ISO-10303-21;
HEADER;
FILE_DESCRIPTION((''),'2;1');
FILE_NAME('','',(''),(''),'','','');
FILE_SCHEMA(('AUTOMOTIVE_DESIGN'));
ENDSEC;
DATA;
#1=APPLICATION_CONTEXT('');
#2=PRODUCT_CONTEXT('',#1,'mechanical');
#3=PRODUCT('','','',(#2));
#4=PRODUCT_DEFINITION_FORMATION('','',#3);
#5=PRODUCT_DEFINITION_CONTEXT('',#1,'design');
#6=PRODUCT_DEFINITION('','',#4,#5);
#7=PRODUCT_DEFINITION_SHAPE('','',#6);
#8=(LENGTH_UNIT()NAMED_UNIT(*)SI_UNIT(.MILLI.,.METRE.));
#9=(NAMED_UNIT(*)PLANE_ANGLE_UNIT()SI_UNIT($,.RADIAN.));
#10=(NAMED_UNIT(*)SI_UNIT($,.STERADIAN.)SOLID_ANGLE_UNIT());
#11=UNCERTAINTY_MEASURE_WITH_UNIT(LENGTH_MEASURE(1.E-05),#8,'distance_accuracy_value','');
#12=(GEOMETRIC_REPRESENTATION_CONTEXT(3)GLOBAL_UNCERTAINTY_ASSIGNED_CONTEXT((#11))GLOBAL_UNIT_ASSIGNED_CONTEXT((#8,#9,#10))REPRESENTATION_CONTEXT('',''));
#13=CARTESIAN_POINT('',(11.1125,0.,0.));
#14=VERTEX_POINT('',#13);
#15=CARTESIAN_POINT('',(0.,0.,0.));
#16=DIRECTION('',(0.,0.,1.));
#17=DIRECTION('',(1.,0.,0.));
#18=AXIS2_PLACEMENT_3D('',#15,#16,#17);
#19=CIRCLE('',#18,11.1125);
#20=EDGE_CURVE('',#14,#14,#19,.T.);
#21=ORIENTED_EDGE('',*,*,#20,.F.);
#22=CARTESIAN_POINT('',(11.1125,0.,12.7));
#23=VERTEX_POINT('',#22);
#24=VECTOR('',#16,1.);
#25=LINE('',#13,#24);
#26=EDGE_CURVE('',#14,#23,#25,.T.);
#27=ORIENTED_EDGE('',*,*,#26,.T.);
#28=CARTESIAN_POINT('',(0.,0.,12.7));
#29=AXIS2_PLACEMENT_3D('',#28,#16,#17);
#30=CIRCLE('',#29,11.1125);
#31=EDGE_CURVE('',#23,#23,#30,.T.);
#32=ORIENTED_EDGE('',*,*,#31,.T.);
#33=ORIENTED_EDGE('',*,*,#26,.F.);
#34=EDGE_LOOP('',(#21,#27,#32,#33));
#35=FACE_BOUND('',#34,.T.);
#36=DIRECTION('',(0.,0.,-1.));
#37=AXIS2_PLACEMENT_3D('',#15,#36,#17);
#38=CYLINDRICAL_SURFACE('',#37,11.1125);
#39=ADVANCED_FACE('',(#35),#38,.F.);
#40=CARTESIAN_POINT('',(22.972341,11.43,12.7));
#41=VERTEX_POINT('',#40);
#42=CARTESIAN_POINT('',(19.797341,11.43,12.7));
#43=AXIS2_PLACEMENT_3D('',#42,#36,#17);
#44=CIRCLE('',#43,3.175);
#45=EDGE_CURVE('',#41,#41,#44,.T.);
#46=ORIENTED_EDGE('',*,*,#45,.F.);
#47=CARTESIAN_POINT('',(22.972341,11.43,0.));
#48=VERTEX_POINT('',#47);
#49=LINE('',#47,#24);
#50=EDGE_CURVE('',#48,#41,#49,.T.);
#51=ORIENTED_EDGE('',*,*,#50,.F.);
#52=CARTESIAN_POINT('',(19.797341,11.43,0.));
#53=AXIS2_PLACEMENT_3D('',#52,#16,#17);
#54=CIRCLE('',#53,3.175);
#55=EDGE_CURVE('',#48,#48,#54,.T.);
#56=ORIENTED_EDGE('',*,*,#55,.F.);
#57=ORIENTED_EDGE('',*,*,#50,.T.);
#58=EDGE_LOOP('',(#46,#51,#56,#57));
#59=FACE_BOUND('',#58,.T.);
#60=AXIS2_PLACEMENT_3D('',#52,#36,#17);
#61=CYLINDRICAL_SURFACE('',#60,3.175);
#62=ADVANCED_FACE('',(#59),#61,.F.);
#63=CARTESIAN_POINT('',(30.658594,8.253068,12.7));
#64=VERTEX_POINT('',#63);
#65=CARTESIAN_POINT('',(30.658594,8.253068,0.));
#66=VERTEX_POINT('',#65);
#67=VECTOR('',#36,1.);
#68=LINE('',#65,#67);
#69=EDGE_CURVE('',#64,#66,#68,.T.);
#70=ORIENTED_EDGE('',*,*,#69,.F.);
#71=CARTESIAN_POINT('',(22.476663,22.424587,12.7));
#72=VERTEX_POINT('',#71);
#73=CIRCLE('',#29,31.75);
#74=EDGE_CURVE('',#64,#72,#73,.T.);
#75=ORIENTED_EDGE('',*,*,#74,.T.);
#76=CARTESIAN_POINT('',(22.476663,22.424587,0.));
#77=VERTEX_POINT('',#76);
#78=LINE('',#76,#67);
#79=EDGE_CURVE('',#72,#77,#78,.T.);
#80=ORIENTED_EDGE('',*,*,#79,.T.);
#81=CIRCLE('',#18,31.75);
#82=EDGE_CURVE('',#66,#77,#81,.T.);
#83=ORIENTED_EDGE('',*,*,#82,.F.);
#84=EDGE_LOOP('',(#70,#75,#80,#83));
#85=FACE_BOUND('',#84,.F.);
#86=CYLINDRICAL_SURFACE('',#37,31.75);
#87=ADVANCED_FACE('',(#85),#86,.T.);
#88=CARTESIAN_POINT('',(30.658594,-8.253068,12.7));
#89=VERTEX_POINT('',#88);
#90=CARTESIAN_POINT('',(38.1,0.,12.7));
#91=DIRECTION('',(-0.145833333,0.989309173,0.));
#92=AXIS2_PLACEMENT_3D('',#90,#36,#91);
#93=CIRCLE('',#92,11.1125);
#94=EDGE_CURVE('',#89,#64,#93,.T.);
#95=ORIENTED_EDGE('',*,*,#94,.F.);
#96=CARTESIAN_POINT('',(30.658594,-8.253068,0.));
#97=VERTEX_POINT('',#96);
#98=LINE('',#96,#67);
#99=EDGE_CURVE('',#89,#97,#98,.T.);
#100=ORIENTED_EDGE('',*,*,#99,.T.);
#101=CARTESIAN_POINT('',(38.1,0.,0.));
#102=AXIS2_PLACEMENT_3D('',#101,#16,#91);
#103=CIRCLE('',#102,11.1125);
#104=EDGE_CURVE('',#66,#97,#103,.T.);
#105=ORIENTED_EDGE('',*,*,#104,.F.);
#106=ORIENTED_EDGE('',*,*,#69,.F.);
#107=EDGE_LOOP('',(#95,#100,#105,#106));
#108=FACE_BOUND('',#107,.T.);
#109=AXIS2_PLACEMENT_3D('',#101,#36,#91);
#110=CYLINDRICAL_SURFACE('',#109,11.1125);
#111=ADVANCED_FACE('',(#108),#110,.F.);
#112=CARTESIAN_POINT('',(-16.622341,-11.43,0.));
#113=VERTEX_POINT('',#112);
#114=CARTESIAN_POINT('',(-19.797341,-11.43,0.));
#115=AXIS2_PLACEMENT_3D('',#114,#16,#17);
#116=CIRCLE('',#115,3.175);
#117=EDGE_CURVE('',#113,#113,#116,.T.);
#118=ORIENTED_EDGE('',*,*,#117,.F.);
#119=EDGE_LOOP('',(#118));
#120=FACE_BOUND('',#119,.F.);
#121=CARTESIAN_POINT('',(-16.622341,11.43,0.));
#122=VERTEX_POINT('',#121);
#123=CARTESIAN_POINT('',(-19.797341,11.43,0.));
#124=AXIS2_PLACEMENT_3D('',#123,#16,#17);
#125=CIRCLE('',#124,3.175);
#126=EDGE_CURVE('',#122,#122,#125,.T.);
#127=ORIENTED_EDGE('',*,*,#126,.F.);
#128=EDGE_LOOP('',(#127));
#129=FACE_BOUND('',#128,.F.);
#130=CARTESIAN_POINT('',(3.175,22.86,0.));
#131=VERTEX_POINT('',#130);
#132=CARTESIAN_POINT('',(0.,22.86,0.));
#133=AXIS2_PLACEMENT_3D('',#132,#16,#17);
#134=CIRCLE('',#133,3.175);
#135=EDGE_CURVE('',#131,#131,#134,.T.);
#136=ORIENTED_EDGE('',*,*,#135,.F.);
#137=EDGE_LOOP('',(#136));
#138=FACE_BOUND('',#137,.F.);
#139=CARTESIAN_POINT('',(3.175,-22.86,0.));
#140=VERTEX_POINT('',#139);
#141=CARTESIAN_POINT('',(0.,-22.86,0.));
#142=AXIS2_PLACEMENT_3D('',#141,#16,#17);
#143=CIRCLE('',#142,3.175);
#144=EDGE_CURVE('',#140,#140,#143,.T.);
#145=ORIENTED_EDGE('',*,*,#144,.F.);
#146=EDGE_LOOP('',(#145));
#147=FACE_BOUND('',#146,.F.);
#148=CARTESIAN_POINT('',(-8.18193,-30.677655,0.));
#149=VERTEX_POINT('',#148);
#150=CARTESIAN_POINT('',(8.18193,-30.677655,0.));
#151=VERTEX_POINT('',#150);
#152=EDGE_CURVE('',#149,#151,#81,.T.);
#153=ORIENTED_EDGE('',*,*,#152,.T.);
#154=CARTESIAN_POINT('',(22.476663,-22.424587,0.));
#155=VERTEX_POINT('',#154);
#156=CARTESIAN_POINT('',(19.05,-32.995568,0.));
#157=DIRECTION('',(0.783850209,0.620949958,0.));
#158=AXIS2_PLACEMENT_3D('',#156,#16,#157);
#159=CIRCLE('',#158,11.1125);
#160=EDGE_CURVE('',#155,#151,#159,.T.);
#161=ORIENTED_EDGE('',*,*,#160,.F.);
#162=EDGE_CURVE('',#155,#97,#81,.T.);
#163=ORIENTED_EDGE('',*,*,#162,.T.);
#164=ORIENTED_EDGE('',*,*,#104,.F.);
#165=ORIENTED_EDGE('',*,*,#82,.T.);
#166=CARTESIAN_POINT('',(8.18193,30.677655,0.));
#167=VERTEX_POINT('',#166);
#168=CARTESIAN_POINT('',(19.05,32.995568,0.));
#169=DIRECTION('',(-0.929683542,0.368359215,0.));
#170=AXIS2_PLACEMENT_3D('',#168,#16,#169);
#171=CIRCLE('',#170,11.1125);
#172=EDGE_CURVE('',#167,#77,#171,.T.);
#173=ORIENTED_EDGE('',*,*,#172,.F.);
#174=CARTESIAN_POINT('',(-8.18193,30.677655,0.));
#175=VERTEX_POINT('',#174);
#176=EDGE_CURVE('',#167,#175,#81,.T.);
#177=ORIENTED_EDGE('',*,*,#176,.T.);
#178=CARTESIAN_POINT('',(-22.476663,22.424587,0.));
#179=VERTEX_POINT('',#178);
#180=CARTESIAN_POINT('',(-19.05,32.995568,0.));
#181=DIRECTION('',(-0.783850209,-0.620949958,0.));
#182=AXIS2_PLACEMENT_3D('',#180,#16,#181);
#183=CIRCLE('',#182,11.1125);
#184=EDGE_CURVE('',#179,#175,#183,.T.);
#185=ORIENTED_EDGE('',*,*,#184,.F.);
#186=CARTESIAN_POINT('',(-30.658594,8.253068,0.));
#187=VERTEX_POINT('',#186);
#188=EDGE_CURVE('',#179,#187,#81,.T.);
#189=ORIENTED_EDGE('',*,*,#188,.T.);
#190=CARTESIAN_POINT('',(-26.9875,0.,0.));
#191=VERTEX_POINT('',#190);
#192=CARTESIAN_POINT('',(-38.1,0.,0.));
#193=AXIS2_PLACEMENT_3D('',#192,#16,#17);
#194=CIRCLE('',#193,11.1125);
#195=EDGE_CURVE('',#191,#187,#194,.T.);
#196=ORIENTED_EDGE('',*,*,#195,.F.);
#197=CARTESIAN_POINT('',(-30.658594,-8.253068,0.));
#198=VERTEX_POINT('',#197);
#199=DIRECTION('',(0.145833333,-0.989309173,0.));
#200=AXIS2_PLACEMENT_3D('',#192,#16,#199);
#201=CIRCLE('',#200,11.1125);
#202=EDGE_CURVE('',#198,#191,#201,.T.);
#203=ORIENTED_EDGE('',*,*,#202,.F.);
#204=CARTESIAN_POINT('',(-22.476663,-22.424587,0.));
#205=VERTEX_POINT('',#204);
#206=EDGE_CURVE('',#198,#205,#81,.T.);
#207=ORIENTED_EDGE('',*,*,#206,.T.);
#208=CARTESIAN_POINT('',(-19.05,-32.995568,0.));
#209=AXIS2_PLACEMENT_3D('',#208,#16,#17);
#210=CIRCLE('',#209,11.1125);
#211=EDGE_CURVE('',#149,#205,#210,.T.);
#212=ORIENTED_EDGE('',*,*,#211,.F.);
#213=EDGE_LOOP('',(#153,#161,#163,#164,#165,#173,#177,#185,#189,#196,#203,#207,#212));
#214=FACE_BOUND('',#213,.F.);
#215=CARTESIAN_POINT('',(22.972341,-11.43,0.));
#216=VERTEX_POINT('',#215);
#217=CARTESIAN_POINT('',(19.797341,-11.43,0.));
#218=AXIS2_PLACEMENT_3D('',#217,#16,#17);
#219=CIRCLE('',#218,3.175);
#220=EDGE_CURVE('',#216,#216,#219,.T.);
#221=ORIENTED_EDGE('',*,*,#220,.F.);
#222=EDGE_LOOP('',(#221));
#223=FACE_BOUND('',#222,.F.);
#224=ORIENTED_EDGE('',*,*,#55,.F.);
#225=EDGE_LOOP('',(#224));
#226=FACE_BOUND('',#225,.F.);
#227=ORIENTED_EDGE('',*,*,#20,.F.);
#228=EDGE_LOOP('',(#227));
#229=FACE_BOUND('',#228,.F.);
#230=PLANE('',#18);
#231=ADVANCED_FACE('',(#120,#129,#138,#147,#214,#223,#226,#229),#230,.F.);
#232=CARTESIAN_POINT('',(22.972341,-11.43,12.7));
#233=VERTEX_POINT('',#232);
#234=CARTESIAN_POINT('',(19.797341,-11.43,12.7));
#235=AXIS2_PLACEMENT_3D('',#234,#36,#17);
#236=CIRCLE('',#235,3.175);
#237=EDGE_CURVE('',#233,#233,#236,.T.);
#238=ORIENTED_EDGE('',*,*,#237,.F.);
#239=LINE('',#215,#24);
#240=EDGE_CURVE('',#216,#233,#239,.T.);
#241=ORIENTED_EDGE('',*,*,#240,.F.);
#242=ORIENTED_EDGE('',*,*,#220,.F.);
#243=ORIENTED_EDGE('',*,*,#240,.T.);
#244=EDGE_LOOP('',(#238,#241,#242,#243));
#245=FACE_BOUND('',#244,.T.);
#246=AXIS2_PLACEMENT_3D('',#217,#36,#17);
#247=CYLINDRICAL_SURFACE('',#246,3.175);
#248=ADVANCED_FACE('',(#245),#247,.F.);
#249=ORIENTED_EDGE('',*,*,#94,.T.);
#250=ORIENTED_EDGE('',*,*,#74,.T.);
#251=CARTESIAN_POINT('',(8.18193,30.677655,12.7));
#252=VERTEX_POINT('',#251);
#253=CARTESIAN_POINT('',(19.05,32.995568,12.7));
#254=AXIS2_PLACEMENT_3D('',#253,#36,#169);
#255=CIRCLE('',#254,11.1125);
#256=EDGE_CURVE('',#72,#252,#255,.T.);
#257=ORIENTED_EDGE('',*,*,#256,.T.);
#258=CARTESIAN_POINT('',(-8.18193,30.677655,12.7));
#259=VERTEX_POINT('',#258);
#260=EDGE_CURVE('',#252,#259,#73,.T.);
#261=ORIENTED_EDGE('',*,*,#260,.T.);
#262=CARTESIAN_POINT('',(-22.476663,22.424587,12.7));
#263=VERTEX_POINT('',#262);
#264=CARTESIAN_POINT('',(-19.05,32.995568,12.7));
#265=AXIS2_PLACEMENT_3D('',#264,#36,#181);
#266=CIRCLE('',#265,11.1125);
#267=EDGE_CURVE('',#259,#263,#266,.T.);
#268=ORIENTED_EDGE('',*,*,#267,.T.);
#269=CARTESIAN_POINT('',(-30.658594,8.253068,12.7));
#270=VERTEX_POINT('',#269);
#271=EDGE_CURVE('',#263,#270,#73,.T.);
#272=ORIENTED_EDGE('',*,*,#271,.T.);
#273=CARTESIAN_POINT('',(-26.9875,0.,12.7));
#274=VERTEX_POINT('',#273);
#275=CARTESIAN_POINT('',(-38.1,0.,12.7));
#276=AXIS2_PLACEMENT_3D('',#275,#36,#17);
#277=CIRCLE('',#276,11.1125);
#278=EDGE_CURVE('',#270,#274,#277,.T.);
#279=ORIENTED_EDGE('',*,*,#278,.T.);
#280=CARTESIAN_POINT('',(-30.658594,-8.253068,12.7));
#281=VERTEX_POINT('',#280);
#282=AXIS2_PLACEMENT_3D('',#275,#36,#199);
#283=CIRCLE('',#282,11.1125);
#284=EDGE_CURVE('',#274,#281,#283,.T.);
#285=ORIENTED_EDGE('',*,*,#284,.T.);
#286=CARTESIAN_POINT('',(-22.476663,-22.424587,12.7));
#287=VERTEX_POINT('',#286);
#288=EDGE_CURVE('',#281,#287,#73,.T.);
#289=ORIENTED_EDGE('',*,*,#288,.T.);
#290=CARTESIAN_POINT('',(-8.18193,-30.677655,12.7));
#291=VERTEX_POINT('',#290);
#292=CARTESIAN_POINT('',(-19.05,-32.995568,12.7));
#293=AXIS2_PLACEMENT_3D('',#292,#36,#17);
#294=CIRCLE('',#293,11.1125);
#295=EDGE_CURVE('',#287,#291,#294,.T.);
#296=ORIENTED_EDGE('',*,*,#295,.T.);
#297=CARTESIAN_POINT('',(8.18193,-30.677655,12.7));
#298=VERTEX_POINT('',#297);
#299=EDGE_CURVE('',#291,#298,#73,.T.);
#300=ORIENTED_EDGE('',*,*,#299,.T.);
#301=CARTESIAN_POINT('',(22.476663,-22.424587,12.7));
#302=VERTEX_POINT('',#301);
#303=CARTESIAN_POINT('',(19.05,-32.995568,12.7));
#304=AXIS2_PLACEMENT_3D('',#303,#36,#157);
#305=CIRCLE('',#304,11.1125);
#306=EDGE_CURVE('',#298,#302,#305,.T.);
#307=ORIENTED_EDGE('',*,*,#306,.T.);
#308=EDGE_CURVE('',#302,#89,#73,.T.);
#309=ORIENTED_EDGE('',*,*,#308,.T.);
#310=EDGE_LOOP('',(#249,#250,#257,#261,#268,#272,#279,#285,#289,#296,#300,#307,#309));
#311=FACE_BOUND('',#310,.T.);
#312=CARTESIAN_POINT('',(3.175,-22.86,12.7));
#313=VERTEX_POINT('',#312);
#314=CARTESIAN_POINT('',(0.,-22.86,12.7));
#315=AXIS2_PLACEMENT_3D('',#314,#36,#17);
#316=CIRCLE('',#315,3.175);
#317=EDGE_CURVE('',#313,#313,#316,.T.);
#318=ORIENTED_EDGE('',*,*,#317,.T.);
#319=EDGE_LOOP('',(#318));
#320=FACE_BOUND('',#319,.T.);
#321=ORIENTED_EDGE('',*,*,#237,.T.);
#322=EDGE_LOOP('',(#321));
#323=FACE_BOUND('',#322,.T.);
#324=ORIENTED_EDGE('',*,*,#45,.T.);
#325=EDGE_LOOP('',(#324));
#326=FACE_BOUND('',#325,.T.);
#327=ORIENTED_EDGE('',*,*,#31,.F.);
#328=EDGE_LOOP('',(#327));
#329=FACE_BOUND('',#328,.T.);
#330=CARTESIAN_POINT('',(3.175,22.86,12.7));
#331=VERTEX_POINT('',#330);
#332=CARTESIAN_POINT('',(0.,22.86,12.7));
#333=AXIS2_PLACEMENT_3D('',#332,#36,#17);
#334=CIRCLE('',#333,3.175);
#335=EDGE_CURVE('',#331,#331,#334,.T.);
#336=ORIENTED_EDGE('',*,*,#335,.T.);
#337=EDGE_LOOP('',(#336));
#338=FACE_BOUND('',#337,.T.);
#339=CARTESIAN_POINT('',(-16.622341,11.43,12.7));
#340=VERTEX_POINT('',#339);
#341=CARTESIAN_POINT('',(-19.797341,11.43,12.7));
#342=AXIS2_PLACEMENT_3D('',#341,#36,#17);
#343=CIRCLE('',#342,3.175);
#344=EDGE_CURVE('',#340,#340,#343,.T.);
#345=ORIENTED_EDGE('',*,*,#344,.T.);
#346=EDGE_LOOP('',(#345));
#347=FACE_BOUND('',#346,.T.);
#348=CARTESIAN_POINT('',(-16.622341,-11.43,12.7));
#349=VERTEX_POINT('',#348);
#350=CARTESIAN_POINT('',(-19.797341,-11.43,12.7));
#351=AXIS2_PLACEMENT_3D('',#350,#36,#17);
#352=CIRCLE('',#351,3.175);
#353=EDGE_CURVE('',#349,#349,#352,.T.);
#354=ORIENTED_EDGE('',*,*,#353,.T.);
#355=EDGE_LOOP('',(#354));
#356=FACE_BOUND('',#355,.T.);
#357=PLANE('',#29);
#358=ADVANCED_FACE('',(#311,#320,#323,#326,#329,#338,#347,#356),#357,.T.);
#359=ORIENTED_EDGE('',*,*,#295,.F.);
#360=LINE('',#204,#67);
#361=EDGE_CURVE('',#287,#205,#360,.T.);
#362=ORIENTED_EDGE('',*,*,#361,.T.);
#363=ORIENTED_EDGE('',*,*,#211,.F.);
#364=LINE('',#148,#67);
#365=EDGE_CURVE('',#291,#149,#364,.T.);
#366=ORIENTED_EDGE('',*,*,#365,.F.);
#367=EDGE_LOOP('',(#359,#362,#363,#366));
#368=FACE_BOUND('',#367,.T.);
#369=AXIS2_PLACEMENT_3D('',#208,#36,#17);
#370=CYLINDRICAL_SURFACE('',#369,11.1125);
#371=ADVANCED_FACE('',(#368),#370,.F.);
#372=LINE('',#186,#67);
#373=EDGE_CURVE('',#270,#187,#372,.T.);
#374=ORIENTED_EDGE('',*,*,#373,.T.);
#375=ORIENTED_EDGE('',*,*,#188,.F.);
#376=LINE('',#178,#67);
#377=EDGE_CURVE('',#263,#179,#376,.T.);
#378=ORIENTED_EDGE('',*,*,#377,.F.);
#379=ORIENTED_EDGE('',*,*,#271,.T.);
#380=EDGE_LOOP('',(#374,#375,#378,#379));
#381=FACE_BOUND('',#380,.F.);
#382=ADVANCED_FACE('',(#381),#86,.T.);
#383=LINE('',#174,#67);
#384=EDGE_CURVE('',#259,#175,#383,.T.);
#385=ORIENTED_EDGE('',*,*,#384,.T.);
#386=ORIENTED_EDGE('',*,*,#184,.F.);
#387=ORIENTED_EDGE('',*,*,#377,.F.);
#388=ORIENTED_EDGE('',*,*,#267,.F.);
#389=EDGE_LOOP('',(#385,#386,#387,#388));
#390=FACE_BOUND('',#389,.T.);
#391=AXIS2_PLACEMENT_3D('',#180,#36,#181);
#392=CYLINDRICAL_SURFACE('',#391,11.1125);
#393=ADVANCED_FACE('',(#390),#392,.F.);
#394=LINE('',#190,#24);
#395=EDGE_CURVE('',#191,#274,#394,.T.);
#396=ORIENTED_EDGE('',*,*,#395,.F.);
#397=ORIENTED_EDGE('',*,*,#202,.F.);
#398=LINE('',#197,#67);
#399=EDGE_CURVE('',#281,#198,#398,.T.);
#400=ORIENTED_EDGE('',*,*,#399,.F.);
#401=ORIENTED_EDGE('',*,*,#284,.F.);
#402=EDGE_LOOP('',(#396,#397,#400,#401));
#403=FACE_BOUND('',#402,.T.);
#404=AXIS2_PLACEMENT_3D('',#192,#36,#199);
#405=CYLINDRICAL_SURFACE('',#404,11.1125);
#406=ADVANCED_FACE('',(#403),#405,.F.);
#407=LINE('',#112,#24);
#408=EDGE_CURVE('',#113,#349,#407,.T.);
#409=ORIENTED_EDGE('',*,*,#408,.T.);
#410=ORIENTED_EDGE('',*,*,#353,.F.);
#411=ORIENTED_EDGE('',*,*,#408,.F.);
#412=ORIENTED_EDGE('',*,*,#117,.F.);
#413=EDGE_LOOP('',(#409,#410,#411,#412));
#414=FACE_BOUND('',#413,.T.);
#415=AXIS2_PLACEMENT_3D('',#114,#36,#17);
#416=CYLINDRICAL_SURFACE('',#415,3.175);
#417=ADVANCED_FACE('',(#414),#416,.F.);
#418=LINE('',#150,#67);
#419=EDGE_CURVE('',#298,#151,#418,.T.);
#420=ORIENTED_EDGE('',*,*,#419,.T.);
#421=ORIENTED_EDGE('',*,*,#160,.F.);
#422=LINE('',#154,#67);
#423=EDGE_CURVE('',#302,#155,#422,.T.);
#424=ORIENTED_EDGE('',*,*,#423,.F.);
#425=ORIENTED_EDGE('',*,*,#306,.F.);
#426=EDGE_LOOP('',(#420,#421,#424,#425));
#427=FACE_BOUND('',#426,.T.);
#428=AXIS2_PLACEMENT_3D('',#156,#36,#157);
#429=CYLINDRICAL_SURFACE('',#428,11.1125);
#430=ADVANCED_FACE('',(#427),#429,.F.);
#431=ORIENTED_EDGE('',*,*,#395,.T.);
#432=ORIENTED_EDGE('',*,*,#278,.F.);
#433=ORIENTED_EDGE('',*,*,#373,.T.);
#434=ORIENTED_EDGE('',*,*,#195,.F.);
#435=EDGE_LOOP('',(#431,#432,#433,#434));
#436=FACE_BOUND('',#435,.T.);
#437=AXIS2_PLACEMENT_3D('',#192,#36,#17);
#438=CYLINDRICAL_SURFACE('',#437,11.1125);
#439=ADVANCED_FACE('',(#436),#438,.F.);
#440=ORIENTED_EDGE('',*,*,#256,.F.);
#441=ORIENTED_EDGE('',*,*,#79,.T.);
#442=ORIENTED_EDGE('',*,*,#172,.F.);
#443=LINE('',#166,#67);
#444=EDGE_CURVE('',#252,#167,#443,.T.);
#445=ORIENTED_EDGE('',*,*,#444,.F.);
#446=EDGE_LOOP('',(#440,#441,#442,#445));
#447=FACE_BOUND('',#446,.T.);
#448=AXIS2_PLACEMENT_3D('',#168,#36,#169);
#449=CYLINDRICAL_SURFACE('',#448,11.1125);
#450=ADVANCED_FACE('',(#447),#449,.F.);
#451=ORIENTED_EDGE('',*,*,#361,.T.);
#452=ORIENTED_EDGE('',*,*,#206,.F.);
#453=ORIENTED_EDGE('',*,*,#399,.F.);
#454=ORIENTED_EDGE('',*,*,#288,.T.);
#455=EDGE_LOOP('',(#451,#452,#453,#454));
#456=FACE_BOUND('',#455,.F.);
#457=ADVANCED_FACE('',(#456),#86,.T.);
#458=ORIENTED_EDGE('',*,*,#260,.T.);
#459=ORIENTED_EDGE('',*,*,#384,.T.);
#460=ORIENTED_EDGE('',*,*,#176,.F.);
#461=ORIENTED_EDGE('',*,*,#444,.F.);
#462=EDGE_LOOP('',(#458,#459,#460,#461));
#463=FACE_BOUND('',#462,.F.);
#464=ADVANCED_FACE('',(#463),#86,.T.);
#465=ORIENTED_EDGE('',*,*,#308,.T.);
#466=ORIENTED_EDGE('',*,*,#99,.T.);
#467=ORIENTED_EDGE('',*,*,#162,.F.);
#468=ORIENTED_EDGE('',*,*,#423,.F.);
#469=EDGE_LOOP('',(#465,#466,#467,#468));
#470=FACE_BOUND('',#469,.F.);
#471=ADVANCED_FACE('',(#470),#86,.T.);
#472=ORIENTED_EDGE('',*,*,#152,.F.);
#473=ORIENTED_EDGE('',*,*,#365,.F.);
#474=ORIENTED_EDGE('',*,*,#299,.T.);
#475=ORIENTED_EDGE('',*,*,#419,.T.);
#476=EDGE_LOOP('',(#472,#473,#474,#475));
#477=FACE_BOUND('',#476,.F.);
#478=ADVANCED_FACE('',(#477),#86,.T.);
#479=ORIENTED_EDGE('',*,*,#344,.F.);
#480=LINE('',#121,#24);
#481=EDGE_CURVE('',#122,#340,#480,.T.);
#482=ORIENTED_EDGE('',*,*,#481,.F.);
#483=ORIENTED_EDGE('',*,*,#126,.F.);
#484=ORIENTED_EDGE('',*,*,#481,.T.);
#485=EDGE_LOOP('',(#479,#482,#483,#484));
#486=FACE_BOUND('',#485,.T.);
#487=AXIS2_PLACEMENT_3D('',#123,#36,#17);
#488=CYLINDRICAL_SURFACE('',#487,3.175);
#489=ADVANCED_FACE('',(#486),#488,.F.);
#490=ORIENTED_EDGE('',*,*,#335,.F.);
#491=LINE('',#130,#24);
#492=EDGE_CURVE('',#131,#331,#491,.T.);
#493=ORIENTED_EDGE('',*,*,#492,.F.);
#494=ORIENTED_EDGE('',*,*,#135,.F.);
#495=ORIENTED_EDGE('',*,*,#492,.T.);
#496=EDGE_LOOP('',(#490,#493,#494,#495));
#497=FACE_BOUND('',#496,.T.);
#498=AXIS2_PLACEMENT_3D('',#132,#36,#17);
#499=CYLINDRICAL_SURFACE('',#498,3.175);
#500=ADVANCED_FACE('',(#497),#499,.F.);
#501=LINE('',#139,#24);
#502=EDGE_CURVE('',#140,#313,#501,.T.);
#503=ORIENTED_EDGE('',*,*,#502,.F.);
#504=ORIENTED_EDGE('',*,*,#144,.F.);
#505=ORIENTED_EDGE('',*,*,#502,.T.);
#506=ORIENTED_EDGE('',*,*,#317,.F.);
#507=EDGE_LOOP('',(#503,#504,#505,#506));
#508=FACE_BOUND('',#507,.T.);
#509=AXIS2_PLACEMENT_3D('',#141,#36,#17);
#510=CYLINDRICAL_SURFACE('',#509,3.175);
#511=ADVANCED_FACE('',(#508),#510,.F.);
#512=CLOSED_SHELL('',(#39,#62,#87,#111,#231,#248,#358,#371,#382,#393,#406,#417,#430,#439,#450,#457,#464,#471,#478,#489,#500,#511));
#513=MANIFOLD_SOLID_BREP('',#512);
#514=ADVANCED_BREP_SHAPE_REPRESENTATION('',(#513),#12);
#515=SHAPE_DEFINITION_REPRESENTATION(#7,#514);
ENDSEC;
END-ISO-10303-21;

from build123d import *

# Parameters (mm, degrees)
F0_R     = 31.75
F0_R_2   = 11.1125
F1_DEPTH = 12.7
F3_DEPTH = 25.4
F4_R     = 3.175
F5_DEPTH = 25.4


with BuildPart() as f1:
    # F0 (on Top) → F1 (new body)
    with BuildSketch(Plane.XY):
        Circle(F0_R)
        Circle(F0_R_2, mode=Mode.SUBTRACT)
    extrude(amount=F1_DEPTH)

    # F2 (on Top) → F3 (cut)
    with BuildSketch(Plane.XY):
        with BuildLine():
            ThreePointArc((8.7188916363, -37.0889596596), (19.05, -32.9955678842), (27.760535447, -26.0952614797))
            ThreePointArc((27.760535447, -26.0952614797), (13.49375, -23.3718605846), (8.7188916363, -37.0889596596))
        make_face()
        with BuildLine():
            ThreePointArc((-27.760535447, -26.0952614797), (-19.05, -32.9955678842), (-8.7188916363, -37.0889596596))
            ThreePointArc((-8.7188916363, -37.0889596596), (-8.1345957944, -35.0792202734), (-7.9375, -32.9955678842))
            ThreePointArc((-7.9375, -32.9955678842), (-15.396793799, -22.500724355), (-27.760535447, -26.0952614797))
        make_face()
        with BuildLine():
            ThreePointArc((-26.9875, 0), (-29.68880886, 7.2621980045), (-36.4794270833, 10.9936981799))
            ThreePointArc((-36.4794270833, 10.9936981799), (-38.1, 0), (-36.4794270833, -10.9936981799))
            ThreePointArc((-36.4794270833, -10.9936981799), (-29.68880886, -7.2621980045), (-26.9875, 0))
        make_face()
        with BuildLine():
            ThreePointArc((-7.9375, 32.9955678842), (-8.1345957944, 35.0792202734), (-8.7188916363, 37.0889596596))
            ThreePointArc((-8.7188916363, 37.0889596596), (-19.05, 32.9955678842), (-27.760535447, 26.0952614797))
            ThreePointArc((-27.760535447, 26.0952614797), (-15.396793799, 22.500724355), (-7.9375, 32.9955678842))
        make_face()
        with BuildLine():
            ThreePointArc((8.7188916363, 37.0889596596), (13.49375, 23.3718605846), (27.760535447, 26.0952614797))
            ThreePointArc((27.760535447, 26.0952614797), (19.05, 32.9955678842), (8.7188916363, 37.0889596596))
        make_face()
        with BuildLine():
            ThreePointArc((36.4794270833, -10.9936981799), (37.6926794741, -5.55625), (38.1, 0))
            ThreePointArc((38.1, 0), (37.6926794741, 5.55625), (36.4794270833, 10.9936981799))
            ThreePointArc((36.4794270833, 10.9936981799), (26.9875, 0), (36.4794270833, -10.9936981799))
        make_face()
    extrude(amount=F3_DEPTH, mode=Mode.SUBTRACT)

    # F4 (on Top) → F5 (cut)
    with BuildSketch(Plane.XY):
        with Locations((0, 22.86)):
            Circle(F4_R)
        with Locations((-19.7973407305, 11.43)):
            Circle(F4_R)
        with Locations((-19.7973407305, -11.43)):
            Circle(F4_R)
        with Locations((0, -22.86)):
            Circle(F4_R)
        with Locations((19.7973407305, -11.43)):
            Circle(F4_R)
        with Locations((19.7973407305, 11.43)):
            Circle(F4_R)
    extrude(amount=F5_DEPTH, mode=Mode.SUBTRACT)


solid = f1.part
